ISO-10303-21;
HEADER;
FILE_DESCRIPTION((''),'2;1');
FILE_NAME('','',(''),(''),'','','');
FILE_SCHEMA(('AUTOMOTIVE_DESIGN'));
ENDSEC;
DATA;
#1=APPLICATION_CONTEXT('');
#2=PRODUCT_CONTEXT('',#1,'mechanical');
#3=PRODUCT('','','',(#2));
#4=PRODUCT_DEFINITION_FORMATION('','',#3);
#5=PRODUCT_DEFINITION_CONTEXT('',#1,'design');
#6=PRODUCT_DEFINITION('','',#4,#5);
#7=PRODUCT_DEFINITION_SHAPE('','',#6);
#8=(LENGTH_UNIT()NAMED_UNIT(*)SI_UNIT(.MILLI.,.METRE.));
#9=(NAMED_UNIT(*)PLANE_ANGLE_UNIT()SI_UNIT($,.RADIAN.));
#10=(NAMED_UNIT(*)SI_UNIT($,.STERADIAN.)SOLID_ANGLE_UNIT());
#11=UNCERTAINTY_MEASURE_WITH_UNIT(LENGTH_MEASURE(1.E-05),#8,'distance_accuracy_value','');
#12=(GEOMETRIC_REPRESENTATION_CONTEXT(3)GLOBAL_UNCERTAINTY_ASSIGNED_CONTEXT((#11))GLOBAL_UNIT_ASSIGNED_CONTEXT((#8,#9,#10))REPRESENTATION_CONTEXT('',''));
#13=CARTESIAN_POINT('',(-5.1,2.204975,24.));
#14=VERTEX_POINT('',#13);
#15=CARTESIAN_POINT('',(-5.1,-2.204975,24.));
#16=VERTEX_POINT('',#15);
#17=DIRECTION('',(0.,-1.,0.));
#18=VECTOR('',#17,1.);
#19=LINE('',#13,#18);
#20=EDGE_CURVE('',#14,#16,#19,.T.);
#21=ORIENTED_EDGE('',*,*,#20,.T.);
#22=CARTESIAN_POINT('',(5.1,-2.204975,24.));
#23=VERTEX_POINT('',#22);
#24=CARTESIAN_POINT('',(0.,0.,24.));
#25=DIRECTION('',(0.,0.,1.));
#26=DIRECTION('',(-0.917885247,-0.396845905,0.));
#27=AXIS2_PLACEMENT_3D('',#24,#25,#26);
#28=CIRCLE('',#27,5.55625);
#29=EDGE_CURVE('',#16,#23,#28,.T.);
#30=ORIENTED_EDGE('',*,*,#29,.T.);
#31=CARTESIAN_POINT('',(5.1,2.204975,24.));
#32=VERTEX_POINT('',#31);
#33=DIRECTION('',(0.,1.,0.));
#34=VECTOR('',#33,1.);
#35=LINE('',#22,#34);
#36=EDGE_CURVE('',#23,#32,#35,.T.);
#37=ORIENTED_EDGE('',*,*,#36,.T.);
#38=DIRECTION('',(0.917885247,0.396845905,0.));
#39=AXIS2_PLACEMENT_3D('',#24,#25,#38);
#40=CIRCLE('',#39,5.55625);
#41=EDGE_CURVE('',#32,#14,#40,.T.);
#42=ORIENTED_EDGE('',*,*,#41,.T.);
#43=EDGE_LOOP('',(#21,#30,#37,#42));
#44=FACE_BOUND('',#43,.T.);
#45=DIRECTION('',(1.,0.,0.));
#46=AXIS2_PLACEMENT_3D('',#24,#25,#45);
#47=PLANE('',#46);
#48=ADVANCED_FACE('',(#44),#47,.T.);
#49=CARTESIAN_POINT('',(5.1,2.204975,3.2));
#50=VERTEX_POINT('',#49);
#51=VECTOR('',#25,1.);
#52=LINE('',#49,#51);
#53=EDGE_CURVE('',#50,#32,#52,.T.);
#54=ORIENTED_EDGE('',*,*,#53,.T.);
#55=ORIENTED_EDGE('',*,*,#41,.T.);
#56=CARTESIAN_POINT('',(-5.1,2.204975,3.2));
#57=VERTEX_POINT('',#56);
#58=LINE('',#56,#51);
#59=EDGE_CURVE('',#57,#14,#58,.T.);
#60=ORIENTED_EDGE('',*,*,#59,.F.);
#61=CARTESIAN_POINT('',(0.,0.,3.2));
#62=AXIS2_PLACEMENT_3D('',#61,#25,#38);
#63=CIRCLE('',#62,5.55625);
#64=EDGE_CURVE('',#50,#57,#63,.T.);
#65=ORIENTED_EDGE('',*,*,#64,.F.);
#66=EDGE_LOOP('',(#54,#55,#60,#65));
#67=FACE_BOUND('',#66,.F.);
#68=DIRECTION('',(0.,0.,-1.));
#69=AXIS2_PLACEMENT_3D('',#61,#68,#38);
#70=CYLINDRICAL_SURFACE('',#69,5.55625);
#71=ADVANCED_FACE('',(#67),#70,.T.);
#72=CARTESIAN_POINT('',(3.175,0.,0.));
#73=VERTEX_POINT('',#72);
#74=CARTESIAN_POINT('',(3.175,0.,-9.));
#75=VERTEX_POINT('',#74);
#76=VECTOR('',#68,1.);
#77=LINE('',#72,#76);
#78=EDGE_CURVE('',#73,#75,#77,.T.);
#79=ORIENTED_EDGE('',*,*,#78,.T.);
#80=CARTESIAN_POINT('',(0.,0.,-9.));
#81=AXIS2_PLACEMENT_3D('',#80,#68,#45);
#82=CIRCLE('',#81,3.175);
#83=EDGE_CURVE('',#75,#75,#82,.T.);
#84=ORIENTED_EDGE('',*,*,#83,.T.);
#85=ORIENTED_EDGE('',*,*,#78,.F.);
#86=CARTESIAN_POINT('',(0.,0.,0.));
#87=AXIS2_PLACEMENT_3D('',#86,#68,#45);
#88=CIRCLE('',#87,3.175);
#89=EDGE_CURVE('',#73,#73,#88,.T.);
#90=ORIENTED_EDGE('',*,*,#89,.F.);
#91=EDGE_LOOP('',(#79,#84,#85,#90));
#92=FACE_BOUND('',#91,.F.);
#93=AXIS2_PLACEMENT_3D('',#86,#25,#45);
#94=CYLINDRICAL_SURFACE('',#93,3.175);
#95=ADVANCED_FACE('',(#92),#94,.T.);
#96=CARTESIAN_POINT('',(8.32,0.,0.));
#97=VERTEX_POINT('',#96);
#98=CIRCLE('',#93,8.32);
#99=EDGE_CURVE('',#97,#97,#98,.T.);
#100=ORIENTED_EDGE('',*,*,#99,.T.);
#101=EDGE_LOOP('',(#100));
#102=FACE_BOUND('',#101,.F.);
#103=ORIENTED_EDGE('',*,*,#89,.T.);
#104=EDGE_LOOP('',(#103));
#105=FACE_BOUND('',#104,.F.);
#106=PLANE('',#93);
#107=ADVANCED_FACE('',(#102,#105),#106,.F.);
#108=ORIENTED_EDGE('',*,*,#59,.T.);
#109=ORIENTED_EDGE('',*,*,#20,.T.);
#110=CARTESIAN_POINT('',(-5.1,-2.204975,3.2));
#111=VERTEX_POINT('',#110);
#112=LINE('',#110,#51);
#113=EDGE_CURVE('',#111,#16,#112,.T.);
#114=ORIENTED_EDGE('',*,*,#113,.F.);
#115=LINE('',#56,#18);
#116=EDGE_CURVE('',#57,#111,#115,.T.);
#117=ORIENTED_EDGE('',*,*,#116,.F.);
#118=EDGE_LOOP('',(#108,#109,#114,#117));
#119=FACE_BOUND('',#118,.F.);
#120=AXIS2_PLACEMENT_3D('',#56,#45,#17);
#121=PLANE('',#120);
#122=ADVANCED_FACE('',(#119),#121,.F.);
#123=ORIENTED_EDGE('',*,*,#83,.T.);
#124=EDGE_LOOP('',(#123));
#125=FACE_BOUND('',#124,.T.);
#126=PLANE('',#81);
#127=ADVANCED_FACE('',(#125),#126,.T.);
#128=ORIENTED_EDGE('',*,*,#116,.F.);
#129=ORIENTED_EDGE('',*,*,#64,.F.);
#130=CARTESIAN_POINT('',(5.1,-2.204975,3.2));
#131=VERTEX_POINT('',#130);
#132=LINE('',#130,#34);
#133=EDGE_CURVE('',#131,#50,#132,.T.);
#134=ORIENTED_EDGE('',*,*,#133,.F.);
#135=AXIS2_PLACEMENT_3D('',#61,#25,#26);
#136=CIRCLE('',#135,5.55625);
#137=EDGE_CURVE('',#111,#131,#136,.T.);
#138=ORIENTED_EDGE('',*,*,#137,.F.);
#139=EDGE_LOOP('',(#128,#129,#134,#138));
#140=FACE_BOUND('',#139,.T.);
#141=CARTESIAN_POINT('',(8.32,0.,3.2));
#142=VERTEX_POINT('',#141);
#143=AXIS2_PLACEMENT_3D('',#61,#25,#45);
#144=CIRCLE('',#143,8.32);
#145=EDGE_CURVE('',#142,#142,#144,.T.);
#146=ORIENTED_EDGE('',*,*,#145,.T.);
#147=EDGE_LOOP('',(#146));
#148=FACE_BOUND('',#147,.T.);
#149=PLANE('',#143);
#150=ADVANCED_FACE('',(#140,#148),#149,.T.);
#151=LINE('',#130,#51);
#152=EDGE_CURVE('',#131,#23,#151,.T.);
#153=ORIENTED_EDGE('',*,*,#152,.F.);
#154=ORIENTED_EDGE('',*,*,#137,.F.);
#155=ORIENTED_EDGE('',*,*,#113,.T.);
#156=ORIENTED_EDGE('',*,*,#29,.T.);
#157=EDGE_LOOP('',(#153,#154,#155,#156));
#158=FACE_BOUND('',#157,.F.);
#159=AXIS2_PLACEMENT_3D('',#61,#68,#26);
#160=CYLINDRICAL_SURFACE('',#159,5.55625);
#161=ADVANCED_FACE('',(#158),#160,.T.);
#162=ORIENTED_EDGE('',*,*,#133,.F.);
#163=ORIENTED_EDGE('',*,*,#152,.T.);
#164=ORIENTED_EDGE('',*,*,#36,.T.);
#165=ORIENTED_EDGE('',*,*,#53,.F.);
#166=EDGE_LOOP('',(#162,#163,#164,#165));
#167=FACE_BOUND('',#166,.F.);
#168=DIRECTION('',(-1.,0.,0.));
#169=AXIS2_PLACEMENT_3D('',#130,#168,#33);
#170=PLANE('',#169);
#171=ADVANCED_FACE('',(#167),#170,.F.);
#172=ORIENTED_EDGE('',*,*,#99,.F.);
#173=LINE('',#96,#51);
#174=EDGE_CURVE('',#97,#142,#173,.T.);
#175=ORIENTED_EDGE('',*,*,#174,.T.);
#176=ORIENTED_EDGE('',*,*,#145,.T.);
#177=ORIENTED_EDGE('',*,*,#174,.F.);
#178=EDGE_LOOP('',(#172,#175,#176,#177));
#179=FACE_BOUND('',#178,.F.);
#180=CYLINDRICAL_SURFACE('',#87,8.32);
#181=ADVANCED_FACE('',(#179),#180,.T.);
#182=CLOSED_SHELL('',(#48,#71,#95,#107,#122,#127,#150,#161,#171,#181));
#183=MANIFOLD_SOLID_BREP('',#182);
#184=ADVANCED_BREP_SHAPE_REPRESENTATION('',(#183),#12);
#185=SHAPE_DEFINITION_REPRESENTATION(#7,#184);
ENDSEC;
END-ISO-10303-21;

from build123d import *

# Parameters (mm, degrees)
F0_R     = 8.32
F1_DEPTH = 3.2
F3_DEPTH = 20.8
F4_R     = 3.175
F5_DEPTH = 9


with BuildPart() as f1:
    # F0 (on Top) → F1 (new body)
    with BuildSketch(Plane.XY):
        Circle(F0_R)
    extrude(amount=F1_DEPTH)

    # F2 (on face) → F3 (join)
    with BuildSketch(Plane.XY.offset(3.2)):
        with BuildLine():
            Line((5.1, -2.204975), (5.1, 2.204975))
            ThreePointArc((5.1, 2.204975), (0, 5.55625), (-5.1, 2.204975))
            Line((-5.1, 2.204975), (-5.1, -2.204975))
            ThreePointArc((-5.1, -2.204975), (0, -5.55625), (5.1, -2.204975))
        make_face()
    extrude(amount=F3_DEPTH)

    # F4 (on face) → F5 (join)
    with BuildSketch(Plane(origin=(0, 0, 0), x_dir=(1, 0, 0), z_dir=(0, 0, -1))):
        Circle(F4_R)
    extrude(amount=F5_DEPTH)


solid = f1.part
